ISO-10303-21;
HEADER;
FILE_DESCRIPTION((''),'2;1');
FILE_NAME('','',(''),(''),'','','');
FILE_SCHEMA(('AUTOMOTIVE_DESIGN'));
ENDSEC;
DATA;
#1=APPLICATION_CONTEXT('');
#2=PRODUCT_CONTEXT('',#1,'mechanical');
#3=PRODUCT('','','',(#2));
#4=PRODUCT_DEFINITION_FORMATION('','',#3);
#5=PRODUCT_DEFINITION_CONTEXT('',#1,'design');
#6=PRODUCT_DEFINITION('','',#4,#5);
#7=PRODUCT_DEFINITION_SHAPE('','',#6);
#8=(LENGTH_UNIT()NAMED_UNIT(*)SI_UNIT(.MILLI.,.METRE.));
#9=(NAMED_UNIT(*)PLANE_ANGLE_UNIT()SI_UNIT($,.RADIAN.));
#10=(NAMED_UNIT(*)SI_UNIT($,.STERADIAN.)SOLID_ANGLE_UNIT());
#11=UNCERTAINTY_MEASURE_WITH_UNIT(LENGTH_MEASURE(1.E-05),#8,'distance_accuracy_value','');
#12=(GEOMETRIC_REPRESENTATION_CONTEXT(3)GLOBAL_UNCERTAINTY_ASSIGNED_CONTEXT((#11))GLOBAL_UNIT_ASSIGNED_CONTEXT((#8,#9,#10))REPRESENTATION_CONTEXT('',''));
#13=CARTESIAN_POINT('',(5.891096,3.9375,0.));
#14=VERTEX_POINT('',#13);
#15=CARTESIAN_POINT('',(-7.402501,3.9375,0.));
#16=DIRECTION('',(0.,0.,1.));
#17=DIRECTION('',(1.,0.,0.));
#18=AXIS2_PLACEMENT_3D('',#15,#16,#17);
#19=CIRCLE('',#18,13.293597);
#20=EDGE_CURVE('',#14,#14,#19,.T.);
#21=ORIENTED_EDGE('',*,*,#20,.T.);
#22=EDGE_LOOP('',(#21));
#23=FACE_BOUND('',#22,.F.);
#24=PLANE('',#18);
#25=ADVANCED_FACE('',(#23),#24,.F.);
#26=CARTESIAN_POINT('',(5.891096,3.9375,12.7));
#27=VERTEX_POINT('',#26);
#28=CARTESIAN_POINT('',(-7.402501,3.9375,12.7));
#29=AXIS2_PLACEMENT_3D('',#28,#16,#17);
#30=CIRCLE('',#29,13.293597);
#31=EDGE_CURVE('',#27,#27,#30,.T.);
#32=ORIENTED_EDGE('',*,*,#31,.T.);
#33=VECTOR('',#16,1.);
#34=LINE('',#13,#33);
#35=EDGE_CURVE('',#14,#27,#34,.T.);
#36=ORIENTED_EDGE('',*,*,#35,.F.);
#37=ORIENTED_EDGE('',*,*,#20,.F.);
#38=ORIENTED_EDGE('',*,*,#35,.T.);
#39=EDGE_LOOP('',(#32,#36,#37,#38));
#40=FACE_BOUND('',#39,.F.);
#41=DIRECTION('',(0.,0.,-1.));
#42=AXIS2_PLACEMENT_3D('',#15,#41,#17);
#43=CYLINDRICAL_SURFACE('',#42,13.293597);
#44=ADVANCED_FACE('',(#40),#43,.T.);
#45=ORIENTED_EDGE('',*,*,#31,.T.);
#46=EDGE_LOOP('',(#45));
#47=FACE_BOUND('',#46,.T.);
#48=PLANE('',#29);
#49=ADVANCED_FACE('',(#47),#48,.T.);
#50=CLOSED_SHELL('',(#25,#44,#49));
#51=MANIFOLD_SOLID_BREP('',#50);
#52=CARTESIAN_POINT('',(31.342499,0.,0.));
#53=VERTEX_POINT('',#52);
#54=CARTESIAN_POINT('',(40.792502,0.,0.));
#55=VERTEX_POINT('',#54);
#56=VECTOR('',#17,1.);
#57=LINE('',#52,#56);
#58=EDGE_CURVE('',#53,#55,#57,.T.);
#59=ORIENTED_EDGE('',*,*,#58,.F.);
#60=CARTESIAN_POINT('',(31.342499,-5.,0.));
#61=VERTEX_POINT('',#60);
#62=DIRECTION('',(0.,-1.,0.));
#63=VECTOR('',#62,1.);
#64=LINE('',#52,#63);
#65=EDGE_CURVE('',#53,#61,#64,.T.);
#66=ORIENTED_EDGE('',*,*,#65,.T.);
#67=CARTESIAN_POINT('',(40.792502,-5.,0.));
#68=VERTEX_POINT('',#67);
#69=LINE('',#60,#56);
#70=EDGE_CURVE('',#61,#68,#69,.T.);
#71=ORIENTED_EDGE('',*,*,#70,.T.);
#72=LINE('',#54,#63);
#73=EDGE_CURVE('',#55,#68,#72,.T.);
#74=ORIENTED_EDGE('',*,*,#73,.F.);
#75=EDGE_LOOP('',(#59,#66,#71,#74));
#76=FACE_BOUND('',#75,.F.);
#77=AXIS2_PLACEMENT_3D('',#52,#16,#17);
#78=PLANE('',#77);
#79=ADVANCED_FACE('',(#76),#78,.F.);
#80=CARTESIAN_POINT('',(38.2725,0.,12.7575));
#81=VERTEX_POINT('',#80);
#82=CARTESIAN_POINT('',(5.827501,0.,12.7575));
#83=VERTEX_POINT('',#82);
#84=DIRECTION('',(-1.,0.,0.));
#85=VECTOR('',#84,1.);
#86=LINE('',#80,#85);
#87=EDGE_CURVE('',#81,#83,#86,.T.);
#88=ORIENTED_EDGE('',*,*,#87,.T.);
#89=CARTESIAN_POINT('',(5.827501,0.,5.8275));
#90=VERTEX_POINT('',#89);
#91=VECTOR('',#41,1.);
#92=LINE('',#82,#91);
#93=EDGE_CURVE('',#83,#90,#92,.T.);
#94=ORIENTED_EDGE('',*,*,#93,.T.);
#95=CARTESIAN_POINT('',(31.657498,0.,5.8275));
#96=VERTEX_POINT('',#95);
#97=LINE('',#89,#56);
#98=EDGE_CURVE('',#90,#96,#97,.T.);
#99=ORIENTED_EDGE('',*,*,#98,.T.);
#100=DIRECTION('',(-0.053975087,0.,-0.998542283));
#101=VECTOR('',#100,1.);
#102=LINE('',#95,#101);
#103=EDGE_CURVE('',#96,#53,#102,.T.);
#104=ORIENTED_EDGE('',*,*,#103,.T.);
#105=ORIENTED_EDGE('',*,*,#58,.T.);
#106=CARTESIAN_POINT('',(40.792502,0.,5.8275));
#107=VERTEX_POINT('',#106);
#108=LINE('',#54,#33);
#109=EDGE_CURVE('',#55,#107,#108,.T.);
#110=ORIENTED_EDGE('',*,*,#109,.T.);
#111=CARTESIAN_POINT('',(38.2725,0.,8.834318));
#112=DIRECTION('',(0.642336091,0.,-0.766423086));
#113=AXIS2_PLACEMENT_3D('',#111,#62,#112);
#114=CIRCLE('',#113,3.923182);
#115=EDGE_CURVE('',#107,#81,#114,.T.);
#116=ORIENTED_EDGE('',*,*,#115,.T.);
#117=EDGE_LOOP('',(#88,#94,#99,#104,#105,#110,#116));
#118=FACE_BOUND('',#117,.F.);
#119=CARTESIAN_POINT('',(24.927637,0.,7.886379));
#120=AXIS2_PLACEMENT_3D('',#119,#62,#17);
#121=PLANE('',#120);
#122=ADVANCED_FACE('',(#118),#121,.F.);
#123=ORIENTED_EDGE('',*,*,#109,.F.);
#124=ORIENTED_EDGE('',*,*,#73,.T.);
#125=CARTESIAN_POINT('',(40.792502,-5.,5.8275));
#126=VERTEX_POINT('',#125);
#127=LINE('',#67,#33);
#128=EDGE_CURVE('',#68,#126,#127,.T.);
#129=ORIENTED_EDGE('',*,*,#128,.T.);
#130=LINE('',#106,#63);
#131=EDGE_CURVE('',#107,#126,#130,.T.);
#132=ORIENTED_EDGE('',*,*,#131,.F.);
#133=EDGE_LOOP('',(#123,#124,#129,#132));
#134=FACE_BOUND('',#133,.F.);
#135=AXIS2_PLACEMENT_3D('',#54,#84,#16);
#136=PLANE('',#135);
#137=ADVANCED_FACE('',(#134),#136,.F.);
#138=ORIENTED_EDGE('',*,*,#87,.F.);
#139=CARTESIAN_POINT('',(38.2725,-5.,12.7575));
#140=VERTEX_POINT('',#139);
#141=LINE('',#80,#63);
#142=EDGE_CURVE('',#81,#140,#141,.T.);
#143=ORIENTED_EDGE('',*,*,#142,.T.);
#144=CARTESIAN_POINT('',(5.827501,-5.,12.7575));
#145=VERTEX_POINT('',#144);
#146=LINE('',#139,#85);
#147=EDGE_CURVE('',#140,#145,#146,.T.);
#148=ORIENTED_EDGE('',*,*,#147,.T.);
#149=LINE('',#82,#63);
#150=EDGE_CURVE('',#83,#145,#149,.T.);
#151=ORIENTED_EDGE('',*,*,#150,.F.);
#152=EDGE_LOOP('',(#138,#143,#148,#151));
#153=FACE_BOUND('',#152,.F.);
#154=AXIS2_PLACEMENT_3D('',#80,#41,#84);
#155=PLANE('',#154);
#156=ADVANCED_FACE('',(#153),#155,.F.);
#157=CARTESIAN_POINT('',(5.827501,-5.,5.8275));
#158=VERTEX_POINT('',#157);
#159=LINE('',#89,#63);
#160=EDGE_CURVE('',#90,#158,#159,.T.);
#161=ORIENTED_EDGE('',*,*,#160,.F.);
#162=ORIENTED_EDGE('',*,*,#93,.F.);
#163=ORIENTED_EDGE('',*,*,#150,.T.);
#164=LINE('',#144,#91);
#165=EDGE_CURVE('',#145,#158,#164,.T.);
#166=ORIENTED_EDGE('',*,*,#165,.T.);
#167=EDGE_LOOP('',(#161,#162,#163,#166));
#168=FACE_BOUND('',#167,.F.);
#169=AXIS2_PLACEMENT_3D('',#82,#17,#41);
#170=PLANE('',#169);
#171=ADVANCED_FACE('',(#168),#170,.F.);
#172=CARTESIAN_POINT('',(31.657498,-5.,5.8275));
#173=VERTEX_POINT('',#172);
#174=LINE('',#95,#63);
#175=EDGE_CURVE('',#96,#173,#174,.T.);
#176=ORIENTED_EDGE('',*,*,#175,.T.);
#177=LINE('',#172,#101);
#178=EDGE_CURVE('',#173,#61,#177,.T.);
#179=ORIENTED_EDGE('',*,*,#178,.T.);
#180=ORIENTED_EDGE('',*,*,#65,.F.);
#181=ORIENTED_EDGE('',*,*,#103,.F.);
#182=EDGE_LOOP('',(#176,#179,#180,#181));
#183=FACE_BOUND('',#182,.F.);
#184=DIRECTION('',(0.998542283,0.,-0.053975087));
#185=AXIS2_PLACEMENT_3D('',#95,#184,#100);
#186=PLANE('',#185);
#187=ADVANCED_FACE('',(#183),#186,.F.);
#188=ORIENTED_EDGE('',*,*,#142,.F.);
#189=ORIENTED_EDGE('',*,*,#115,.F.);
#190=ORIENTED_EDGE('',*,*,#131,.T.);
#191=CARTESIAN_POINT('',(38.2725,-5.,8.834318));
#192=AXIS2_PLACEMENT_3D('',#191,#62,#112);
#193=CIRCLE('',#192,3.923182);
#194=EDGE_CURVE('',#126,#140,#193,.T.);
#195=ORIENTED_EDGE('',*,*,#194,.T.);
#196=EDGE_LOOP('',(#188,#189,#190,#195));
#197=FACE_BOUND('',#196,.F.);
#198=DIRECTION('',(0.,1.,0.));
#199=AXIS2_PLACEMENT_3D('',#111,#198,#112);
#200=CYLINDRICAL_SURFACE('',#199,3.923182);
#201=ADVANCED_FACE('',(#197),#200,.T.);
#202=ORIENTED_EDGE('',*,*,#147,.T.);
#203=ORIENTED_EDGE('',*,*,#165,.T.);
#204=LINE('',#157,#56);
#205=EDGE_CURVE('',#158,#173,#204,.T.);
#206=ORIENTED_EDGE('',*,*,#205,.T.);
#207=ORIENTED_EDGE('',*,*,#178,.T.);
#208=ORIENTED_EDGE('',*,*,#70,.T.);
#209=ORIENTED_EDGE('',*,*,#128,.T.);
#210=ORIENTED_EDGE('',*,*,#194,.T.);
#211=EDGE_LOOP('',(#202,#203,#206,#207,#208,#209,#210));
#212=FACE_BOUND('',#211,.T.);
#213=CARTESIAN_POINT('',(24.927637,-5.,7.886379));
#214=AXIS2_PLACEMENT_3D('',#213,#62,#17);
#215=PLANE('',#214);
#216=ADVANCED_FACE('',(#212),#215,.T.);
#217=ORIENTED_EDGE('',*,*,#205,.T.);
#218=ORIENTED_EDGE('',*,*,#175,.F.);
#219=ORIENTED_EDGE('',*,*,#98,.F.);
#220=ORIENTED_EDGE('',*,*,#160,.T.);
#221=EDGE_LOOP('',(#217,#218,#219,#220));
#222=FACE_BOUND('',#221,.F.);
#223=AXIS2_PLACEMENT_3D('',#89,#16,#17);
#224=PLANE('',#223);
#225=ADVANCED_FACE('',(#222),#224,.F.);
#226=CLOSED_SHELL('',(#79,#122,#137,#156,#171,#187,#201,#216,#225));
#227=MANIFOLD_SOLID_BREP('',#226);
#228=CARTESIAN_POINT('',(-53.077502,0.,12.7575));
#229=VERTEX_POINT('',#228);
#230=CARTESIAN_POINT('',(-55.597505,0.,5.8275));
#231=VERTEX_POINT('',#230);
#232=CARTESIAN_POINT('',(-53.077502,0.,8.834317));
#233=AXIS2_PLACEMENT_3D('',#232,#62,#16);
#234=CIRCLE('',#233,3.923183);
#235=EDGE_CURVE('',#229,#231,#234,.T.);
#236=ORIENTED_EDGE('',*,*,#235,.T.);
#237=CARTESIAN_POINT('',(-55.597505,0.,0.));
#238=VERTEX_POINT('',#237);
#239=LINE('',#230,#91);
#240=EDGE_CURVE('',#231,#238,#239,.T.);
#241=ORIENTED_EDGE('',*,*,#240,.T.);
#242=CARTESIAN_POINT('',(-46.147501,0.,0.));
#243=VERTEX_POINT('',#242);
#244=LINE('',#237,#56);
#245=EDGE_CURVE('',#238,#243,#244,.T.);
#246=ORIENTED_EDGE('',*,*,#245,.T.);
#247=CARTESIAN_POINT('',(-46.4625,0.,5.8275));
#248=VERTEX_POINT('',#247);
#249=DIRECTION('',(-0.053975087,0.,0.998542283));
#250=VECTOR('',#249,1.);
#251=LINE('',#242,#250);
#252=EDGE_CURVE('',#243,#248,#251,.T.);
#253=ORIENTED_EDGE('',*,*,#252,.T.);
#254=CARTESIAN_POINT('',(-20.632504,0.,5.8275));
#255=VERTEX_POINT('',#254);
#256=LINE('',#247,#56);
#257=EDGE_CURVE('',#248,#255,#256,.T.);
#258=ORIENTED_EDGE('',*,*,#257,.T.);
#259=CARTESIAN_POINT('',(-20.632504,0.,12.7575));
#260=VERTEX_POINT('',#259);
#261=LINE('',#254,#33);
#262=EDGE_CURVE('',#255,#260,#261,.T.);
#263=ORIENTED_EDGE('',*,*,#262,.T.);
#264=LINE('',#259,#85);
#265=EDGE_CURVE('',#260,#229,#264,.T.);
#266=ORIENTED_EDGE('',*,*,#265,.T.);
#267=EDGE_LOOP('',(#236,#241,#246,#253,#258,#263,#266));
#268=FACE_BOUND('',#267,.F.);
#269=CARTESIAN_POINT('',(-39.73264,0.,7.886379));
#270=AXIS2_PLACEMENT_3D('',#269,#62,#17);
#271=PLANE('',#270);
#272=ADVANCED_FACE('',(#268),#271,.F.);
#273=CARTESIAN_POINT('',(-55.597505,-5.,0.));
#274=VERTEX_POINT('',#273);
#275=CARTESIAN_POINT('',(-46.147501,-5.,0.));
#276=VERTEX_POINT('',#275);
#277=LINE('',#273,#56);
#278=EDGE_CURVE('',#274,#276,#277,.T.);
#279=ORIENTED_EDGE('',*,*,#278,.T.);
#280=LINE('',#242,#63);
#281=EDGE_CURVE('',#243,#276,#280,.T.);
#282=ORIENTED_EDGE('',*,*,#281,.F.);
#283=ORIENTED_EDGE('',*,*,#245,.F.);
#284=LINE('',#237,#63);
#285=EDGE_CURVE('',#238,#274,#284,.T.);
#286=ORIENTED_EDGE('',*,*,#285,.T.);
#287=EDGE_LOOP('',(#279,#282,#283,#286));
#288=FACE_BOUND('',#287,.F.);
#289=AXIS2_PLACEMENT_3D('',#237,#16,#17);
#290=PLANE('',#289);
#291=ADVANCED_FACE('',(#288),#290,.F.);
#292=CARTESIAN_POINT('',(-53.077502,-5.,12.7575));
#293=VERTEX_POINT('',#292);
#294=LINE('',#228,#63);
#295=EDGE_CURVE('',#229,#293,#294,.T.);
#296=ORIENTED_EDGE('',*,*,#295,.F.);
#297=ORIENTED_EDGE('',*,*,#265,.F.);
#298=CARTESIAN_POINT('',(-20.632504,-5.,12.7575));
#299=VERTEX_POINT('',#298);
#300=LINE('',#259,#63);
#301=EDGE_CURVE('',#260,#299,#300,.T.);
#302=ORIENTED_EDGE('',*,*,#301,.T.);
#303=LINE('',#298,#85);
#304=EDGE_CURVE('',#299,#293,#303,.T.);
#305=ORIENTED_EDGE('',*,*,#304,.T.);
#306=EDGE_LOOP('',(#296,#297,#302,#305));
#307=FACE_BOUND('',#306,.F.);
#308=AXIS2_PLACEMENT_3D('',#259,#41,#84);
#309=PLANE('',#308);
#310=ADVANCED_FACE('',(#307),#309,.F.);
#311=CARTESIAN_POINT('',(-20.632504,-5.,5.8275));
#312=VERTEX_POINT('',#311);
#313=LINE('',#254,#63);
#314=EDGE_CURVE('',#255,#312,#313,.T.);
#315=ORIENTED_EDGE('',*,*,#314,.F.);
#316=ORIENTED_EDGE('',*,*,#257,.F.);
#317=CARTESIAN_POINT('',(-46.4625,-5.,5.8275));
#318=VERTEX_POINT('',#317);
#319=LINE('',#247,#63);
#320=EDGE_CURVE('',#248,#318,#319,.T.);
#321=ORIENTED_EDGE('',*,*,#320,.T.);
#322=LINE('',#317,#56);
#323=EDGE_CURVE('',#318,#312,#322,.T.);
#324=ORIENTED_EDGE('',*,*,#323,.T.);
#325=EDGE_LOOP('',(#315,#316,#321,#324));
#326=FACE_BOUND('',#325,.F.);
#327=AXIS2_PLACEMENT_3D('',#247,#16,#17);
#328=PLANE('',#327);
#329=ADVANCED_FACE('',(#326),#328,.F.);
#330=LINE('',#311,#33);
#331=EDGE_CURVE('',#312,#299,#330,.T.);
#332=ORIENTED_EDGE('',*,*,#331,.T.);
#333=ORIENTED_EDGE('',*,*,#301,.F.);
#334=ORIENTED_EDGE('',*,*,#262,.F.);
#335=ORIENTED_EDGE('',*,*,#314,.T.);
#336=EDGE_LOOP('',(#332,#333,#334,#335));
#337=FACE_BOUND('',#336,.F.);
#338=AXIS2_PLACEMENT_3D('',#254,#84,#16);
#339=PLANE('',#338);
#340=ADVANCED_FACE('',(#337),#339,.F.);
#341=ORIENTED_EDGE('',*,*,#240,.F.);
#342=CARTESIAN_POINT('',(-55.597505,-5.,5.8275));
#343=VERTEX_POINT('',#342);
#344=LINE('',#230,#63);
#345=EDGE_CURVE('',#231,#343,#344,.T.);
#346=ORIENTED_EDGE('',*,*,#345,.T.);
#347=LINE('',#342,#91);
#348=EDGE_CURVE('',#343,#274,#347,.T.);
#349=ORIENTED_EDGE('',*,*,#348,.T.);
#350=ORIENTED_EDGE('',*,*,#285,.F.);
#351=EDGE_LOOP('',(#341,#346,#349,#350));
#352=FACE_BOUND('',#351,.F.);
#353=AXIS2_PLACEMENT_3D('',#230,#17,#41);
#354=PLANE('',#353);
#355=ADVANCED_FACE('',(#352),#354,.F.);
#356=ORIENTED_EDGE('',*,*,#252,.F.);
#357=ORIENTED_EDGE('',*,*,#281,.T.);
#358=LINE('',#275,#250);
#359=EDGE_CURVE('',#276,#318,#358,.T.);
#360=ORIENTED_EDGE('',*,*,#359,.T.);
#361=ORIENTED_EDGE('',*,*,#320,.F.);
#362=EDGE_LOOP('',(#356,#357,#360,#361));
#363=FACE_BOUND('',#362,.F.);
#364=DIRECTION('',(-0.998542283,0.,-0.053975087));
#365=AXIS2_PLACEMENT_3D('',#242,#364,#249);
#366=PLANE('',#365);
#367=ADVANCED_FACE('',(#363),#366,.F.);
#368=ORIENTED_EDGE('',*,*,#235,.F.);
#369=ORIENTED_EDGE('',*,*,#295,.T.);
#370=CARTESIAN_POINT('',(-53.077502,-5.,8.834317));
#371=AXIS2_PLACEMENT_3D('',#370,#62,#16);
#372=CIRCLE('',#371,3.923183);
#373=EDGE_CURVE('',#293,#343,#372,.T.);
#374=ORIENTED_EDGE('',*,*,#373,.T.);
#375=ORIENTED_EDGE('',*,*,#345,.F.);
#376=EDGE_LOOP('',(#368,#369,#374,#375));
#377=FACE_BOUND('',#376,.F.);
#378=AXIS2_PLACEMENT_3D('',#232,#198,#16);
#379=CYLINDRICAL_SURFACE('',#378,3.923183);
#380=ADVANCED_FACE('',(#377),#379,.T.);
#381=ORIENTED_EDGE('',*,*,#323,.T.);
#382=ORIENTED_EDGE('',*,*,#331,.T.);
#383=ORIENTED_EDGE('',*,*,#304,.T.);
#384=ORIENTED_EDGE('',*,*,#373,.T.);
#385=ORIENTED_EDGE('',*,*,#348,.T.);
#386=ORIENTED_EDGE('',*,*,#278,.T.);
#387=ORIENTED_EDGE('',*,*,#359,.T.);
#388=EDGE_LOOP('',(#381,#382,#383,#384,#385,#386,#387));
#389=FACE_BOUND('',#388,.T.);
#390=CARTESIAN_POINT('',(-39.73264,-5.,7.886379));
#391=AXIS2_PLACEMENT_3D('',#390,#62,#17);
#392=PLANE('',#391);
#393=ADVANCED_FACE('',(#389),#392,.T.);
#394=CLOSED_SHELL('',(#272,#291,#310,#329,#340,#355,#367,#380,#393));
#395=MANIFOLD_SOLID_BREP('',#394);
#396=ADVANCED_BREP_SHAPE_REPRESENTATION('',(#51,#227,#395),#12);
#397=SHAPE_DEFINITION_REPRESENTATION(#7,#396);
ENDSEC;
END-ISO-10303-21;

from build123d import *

# Parameters (mm, degrees)
F0_R     = 13.293597
F1_DEPTH = 12.7
F3_DEPTH = 5


with BuildPart() as f1:
    # F0 (on Top) → F1 (new body)
    with BuildSketch(Plane.XY):
        with Locations((-7.402501, 3.9375)):
            Circle(F0_R)
    extrude(amount=F1_DEPTH)


with BuildPart() as f3:
    # F2 (on Front) → F3 (new body)
    with BuildSketch(Plane.XZ):
        with BuildLine():
            Line((38.2725, 12.7575), (5.827501, 12.7575))
            Line((5.827501, 12.7575), (5.827501, 5.8275))
            Line((5.827501, 5.8275), (31.657498, 5.8275))
            Line((31.657498, 5.8275), (31.342499, 0))
            Line((31.342499, 0), (40.792502, 0))
            Line((40.792502, 0), (40.792502, 5.8275))
            ThreePointArc((40.792502, 5.8275), (41.959481, 10.175039), (38.2725, 12.7575))
        make_face()
        with BuildLine():
            Line((-20.632504, 5.8275), (-20.632504, 12.7575))
            Line((-20.632504, 12.7575), (-53.077502, 12.7575))
            ThreePointArc((-53.077502, 12.7575), (-56.764483, 10.175039), (-55.597505, 5.8275))
            Line((-55.597505, 5.8275), (-55.597505, 0))
            Line((-55.597505, 0), (-46.147501, 0))
            Line((-46.147501, 0), (-46.4625, 5.8275))
            Line((-46.4625, 5.8275), (-20.632504, 5.8275))
        make_face()
    extrude(amount=F3_DEPTH)


solid = Compound([f1.part, f3.part])
